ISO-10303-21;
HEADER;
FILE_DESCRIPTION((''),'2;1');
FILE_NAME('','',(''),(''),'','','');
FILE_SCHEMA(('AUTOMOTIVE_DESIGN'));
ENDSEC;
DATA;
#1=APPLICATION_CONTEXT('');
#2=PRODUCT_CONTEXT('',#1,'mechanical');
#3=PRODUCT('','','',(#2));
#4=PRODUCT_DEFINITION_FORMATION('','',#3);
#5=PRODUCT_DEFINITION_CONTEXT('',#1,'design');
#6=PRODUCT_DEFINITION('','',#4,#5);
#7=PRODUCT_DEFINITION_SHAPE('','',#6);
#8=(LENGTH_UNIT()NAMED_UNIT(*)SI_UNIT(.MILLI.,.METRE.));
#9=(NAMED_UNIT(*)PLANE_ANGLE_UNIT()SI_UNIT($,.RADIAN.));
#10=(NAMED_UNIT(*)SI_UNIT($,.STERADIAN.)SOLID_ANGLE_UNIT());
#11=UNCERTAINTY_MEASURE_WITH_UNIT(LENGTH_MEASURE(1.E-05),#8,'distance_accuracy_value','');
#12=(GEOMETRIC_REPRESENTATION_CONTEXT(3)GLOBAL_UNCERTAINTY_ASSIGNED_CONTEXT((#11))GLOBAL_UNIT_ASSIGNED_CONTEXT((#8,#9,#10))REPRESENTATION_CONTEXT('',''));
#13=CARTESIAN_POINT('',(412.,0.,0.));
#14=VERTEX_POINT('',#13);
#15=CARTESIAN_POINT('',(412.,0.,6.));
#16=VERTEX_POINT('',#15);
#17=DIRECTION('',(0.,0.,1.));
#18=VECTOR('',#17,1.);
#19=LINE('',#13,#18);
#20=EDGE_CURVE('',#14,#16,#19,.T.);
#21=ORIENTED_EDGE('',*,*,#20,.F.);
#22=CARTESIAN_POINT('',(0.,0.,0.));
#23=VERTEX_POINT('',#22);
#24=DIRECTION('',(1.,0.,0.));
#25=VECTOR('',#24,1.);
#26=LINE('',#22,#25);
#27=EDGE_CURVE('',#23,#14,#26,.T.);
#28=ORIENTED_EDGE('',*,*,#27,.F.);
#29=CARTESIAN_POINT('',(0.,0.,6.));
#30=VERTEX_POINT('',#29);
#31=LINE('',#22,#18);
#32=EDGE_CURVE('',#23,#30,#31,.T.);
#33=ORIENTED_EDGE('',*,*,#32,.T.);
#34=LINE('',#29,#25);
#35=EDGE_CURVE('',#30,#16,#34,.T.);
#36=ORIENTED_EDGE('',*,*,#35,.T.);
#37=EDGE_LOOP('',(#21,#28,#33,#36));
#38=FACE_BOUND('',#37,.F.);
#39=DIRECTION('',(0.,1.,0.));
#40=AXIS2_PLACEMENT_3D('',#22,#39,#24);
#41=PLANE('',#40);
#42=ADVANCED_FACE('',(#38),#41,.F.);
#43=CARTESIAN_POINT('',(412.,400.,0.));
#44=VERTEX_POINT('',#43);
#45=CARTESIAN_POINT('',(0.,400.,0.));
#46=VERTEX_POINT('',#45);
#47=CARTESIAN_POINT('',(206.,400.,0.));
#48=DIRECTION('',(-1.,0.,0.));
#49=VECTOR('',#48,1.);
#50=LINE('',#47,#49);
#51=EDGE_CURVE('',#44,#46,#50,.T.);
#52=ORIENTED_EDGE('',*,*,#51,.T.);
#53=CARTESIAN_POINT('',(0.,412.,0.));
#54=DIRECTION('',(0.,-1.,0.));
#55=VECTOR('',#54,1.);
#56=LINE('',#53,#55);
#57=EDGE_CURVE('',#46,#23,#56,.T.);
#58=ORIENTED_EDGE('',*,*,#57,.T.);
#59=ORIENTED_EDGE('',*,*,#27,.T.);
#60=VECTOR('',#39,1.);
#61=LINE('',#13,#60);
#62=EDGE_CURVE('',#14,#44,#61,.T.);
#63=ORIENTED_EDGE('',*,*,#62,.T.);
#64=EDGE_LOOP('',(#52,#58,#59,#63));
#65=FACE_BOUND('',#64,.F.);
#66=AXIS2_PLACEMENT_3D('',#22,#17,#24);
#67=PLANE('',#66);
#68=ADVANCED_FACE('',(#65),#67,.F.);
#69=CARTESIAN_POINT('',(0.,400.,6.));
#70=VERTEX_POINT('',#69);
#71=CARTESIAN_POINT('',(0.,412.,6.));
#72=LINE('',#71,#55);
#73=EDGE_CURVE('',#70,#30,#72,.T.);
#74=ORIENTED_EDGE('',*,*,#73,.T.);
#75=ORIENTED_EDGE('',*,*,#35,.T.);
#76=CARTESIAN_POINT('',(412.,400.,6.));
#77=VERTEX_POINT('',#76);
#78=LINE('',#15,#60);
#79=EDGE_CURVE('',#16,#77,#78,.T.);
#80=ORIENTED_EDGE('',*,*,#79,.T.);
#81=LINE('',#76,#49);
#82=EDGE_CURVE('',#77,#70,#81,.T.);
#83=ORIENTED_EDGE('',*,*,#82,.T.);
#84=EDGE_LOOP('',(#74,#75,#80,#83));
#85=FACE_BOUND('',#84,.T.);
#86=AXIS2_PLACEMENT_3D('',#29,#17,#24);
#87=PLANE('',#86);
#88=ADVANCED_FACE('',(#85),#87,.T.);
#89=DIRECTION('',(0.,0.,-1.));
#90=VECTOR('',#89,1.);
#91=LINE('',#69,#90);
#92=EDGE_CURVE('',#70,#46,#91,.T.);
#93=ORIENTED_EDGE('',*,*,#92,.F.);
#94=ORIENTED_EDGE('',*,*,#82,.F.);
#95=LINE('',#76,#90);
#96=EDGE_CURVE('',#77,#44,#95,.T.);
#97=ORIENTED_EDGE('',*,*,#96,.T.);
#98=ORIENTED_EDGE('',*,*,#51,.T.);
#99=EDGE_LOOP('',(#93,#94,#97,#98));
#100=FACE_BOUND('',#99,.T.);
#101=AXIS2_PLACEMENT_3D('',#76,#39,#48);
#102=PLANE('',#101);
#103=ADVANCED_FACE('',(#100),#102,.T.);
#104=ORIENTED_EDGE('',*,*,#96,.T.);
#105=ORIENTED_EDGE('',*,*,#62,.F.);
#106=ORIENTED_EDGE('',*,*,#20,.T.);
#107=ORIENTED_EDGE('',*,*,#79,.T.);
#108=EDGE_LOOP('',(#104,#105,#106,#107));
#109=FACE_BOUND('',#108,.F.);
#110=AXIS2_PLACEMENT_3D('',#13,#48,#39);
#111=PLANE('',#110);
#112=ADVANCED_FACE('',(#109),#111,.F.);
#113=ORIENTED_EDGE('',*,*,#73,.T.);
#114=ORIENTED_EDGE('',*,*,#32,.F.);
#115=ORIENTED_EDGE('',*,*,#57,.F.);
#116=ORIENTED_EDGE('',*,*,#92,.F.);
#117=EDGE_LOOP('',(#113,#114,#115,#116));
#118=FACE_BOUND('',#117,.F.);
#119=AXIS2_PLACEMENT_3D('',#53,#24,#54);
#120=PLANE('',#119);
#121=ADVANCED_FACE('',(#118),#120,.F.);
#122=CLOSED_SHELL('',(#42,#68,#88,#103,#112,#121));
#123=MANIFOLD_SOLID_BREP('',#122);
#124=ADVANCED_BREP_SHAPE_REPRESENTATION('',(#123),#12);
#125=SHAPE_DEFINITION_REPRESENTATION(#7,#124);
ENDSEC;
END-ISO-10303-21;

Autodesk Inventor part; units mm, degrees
ref_plane "YZ Plane" through (0, 0, 0) normal (1, 0, 0) x (0, 1, 0)
ref_plane "XZ Plane" through (0, 0, 0) normal (0, 1, 0) x (-1, 0, 0)
ref_plane "XY Plane" through (0, 0, 0) normal (0, 0, 1) x (1, 0, 0)
sketch "Sketch1" plane through (0, 0, 0) normal (0, 0, 1) x (1, 0, 0)
  line L0 (0, 0) -> (412, 0)
  line L1 (412, 0) -> (412, 412)
  line L2 (412, 412) -> (0, 412)
  line L3 (0, 412) -> (0, 0)
  dimension "d0" = 412
  dimension "d1" = 412
extrude "Extrusion1" add sketch "Sketch1" along normal blind 6
sketch "Sketch2" plane through (0, 0, 6) normal (0, 0, 1) x (1, 0, 0)
  line L0 (412, 412) -> (0, 412) projected
  line L1 (412, 0) -> (412, 412) projected
  line L2 (0, 412) -> (412, 412)
  line L3 (412, 412) -> (412, 400)
  line L4 (412, 400) -> (0, 400)
  line L5 (0, 400) -> (0, 412)
  point P0 (0, 0)
  dimension "d4" = 12
extrude "Extrusion2" cut sketch "Sketch2" against normal blind 10
properties part number "planche derrière" material "Wood (Birch)"
